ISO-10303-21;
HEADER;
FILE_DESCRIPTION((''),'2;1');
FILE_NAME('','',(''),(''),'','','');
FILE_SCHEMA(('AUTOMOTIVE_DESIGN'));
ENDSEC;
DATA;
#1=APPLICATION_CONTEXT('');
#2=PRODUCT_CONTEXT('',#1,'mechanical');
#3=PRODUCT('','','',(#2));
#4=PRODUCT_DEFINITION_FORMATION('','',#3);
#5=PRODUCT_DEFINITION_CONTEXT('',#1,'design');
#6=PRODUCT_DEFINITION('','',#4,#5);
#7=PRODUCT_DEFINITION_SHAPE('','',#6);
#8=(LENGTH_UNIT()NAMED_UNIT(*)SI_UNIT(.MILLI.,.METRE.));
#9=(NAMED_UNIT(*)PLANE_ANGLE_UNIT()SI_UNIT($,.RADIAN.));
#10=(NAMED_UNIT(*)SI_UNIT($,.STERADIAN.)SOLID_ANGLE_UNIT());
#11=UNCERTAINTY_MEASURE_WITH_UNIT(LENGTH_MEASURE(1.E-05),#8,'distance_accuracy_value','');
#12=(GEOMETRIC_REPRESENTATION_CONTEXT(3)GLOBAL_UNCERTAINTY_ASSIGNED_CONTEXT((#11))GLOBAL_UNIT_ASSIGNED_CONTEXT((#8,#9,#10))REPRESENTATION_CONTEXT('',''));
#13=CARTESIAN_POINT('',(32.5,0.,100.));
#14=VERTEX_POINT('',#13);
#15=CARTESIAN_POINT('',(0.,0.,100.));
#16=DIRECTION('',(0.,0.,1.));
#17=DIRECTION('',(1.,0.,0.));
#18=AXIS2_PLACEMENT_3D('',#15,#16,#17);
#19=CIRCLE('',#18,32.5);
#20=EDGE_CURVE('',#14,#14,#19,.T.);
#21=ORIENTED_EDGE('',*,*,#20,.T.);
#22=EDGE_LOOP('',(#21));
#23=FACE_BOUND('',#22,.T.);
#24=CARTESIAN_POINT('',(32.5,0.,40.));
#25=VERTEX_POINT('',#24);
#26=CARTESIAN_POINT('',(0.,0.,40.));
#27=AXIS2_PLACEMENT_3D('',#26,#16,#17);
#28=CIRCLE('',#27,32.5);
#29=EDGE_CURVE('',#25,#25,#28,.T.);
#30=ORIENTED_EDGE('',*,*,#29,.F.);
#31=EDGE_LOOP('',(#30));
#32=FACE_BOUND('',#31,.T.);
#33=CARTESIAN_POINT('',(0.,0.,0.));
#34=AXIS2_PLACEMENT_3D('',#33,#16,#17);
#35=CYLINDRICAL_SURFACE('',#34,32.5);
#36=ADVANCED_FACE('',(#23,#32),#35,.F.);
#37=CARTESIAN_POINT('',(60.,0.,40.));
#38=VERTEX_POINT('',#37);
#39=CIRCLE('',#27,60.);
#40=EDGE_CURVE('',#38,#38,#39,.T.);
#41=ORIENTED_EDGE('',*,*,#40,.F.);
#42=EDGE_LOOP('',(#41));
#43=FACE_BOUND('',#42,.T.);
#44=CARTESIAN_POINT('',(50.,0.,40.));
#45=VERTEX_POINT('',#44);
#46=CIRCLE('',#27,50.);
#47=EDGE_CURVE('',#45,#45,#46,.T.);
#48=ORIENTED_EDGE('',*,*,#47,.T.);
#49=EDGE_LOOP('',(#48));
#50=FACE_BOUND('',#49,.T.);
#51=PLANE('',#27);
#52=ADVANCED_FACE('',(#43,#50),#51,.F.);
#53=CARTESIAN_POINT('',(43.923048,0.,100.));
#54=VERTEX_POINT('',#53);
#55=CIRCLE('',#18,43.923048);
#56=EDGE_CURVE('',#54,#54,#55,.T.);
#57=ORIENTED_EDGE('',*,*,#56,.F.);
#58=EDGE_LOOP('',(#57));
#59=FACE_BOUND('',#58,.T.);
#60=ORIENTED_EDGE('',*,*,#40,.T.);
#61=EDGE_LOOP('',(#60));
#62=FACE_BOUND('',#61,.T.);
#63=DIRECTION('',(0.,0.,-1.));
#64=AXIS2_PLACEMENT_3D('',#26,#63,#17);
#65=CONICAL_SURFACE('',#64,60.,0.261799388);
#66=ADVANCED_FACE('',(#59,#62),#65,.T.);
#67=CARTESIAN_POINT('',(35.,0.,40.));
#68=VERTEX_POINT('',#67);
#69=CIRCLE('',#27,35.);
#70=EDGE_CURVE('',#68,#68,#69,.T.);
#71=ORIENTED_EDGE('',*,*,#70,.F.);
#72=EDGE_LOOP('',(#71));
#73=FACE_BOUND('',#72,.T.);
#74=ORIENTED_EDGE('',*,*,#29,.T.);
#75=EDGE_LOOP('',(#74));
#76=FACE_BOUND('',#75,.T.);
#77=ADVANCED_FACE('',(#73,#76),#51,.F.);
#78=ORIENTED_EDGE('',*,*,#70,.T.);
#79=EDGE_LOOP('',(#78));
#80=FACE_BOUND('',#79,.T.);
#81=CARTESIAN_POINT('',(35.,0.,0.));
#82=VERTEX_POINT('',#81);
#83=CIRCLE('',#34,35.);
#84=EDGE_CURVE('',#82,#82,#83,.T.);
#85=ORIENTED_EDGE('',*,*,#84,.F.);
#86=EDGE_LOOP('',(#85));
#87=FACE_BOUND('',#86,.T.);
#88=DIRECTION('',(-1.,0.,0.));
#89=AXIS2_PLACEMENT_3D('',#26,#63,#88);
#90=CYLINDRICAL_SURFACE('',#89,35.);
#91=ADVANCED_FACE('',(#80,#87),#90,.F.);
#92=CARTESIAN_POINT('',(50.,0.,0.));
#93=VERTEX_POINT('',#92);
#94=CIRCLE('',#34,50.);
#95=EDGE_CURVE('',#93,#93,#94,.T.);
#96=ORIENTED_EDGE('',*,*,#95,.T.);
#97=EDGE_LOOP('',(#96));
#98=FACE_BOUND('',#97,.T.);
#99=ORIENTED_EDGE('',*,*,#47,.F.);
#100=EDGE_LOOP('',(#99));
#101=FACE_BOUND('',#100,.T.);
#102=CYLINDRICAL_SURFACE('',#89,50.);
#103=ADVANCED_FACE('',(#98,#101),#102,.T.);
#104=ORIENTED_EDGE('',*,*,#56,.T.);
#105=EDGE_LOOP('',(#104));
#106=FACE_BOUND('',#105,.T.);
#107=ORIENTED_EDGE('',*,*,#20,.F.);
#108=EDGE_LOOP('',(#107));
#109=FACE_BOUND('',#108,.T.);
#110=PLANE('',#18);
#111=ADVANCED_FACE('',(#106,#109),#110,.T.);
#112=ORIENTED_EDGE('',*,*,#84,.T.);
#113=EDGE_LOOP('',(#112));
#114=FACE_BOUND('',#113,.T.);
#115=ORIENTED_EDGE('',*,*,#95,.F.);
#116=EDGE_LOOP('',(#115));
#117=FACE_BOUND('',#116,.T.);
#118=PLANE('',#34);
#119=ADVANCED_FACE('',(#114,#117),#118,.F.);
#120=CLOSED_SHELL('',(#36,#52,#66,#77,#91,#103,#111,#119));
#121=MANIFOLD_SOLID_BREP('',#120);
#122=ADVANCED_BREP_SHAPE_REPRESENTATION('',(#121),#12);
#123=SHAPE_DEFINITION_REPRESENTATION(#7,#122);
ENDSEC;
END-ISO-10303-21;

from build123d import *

# Parameters (mm, degrees)
SKETCH3_R           = 50
SKETCH3_R_2         = 35
BOSS_EXTRUDE3_DEPTH = 40
SKETCH6_R           = 60
BOSS_EXTRUDE5_DEPTH = 60
BOSS_EXTRUDE5_TAPER = 15
SKETCH7_R           = 32.5
CUT_EXTRUDE1_DEPTH  = 132.148770486


with BuildPart() as part:
    # Sketch3 → Boss-Extrude3 (new body)
    with BuildSketch(Plane.XY):
        Circle(SKETCH3_R)
        Circle(SKETCH3_R_2, mode=Mode.SUBTRACT)
    extrude(amount=BOSS_EXTRUDE3_DEPTH)

    # Sketch6 → Boss-Extrude5 (add)
    with BuildSketch(Plane.XY.offset(40)):
        Circle(SKETCH6_R)
    extrude(amount=BOSS_EXTRUDE5_DEPTH, taper=BOSS_EXTRUDE5_TAPER)

    # Sketch7 → Cut-Extrude1 (cut, through all)
    with BuildSketch(Plane.XY.offset(100)):
        Circle(SKETCH7_R)
    extrude(amount=-CUT_EXTRUDE1_DEPTH, mode=Mode.SUBTRACT)


solid = part.part
